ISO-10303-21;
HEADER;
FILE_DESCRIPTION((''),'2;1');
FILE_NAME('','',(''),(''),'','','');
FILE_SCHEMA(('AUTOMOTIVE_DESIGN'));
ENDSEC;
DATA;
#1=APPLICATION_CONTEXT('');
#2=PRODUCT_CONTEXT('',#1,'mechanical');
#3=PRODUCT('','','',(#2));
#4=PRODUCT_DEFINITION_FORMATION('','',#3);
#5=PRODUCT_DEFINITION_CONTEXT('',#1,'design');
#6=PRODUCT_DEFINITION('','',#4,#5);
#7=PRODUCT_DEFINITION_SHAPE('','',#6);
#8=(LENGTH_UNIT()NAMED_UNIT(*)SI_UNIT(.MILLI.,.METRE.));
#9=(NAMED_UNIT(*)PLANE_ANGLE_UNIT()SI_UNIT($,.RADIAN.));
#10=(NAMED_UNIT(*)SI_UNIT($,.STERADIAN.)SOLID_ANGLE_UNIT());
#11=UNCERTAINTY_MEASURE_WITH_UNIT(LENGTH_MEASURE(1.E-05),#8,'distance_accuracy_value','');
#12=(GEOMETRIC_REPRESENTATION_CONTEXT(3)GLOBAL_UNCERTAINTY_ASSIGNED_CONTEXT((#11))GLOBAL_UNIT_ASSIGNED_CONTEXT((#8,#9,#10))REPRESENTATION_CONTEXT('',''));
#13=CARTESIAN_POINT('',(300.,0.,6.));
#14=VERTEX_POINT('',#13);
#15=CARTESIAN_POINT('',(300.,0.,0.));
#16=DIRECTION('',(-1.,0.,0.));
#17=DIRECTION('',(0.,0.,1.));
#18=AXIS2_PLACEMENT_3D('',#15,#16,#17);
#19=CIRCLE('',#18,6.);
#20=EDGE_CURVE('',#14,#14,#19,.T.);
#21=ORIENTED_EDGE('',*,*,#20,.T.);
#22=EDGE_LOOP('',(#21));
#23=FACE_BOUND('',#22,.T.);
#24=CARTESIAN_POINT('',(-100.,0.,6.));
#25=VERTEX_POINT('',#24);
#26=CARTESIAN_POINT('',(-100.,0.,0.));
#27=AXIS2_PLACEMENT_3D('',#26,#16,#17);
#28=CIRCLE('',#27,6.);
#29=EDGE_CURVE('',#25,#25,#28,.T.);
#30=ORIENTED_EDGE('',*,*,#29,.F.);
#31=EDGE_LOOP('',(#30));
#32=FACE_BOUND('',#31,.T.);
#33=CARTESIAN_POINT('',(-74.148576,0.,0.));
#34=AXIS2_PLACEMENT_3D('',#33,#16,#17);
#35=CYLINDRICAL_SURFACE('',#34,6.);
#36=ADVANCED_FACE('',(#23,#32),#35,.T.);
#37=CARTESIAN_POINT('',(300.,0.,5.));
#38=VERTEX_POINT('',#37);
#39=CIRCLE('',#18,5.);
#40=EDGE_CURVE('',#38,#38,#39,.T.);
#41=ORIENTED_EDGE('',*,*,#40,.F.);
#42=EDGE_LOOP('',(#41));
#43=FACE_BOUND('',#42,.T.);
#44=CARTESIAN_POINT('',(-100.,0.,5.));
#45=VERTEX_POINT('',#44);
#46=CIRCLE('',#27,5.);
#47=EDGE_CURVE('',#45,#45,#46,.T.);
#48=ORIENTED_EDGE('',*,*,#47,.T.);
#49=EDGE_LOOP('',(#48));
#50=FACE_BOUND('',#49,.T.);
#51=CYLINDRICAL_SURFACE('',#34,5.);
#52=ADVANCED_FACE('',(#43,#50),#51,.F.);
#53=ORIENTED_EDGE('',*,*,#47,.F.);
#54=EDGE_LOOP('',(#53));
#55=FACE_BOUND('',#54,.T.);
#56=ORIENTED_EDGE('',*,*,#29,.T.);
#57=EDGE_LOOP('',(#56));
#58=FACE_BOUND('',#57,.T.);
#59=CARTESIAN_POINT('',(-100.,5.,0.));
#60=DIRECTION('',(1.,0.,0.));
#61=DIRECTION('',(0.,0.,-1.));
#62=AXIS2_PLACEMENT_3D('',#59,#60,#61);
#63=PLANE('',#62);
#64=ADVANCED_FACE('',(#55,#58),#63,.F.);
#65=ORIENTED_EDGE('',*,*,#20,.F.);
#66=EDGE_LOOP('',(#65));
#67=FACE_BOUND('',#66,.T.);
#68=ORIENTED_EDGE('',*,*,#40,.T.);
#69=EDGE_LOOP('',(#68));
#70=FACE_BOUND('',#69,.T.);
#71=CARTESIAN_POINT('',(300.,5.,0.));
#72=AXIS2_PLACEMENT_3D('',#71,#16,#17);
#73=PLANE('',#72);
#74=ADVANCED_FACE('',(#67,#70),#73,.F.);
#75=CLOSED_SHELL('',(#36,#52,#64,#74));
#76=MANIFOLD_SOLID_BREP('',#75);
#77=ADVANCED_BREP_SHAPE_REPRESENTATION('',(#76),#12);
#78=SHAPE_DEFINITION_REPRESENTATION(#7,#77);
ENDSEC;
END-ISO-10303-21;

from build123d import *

# Parameters (mm, degrees)
SKETCH1_W = 400
SKETCH1_H = 1


with BuildPart() as part:
    # Sketch1 → Revolve1 (revolve)
    with BuildSketch(Plane.XY, mode=Mode.PRIVATE) as revolve1_sk:
        with Locations((100, 5.5)):
            Rectangle(SKETCH1_W, SKETCH1_H)
    revolve(revolve1_sk.sketch.rotate(Axis((-74.148576038, 0, 0), (1, 0, 0)), 90), axis=Axis((-74.148576038, 0, 0), (1, 0, 0)))


solid = part.part
